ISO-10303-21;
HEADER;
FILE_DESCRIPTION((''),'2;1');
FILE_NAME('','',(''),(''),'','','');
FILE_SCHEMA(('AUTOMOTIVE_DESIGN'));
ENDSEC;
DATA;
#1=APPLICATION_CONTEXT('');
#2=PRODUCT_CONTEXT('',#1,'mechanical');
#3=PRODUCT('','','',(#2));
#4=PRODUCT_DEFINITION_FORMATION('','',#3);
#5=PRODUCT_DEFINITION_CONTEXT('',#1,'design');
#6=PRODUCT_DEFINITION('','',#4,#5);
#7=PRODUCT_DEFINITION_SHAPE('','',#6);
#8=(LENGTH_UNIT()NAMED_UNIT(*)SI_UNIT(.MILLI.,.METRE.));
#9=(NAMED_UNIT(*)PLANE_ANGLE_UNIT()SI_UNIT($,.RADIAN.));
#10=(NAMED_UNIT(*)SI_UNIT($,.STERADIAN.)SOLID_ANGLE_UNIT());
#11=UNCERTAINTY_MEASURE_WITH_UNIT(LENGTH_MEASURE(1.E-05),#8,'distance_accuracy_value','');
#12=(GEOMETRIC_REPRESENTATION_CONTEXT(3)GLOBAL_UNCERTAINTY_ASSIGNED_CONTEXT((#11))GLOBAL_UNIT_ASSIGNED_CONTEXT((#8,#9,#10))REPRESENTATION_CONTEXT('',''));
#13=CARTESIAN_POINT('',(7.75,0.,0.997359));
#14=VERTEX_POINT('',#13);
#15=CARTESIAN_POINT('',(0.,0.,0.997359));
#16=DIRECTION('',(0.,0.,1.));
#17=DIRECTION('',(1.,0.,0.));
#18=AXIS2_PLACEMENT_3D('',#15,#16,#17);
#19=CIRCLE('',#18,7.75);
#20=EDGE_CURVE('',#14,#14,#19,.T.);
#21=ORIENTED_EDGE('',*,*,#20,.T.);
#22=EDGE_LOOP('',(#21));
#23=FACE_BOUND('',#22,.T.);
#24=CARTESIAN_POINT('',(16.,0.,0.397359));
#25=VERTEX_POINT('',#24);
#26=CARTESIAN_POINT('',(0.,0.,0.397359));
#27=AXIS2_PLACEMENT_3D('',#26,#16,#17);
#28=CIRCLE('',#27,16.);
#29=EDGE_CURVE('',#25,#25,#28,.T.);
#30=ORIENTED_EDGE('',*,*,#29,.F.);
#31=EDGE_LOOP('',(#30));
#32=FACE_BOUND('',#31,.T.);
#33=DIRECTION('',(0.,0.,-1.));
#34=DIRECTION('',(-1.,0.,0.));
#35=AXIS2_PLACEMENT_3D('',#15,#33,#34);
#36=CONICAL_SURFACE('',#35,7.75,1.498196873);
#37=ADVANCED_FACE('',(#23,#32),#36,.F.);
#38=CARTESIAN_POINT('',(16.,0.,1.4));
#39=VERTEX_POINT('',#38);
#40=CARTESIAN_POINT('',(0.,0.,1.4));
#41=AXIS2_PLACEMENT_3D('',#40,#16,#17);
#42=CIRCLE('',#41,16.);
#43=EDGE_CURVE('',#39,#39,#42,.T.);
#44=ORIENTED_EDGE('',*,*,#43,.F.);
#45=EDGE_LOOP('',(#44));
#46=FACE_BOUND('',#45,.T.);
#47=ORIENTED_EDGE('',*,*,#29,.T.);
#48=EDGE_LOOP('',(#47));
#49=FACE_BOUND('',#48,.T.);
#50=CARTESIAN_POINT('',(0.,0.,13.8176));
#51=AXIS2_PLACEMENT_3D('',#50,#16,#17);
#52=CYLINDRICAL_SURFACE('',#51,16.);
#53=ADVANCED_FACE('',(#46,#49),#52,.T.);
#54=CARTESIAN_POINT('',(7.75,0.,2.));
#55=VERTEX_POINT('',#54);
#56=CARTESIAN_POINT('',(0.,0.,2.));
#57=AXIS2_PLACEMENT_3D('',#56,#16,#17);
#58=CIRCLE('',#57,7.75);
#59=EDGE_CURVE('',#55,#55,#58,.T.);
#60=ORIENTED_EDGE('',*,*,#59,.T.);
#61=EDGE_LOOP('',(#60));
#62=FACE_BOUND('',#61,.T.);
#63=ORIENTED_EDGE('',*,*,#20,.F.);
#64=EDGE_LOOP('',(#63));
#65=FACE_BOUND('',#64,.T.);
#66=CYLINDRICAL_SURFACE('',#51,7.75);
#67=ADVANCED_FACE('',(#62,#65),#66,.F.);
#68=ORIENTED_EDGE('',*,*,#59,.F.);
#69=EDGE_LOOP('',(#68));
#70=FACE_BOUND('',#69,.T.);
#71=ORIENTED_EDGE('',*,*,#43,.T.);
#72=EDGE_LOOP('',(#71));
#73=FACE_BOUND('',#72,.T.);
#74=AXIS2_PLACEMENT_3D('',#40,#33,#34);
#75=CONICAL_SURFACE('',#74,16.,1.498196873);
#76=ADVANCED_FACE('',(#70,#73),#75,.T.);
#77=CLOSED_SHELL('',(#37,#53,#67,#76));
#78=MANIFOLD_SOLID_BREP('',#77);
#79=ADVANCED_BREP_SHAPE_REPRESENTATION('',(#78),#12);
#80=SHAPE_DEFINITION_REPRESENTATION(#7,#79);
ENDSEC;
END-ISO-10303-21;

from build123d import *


with BuildPart() as part:
    # Esquisse1 → Révolution1 (revolve)
    with BuildSketch(Plane(origin=(0, 0, 0), x_dir=(0, 0, -1), z_dir=(1, 0, 0))):
        Polygon((-2, 7.75), (-1.4, 16), (-0.39735886, 16), (-0.99735886, 7.75), align=None)
    revolve(axis=Axis((0, 0, 13.8176), (0, 0, -1)))


solid = part.part
